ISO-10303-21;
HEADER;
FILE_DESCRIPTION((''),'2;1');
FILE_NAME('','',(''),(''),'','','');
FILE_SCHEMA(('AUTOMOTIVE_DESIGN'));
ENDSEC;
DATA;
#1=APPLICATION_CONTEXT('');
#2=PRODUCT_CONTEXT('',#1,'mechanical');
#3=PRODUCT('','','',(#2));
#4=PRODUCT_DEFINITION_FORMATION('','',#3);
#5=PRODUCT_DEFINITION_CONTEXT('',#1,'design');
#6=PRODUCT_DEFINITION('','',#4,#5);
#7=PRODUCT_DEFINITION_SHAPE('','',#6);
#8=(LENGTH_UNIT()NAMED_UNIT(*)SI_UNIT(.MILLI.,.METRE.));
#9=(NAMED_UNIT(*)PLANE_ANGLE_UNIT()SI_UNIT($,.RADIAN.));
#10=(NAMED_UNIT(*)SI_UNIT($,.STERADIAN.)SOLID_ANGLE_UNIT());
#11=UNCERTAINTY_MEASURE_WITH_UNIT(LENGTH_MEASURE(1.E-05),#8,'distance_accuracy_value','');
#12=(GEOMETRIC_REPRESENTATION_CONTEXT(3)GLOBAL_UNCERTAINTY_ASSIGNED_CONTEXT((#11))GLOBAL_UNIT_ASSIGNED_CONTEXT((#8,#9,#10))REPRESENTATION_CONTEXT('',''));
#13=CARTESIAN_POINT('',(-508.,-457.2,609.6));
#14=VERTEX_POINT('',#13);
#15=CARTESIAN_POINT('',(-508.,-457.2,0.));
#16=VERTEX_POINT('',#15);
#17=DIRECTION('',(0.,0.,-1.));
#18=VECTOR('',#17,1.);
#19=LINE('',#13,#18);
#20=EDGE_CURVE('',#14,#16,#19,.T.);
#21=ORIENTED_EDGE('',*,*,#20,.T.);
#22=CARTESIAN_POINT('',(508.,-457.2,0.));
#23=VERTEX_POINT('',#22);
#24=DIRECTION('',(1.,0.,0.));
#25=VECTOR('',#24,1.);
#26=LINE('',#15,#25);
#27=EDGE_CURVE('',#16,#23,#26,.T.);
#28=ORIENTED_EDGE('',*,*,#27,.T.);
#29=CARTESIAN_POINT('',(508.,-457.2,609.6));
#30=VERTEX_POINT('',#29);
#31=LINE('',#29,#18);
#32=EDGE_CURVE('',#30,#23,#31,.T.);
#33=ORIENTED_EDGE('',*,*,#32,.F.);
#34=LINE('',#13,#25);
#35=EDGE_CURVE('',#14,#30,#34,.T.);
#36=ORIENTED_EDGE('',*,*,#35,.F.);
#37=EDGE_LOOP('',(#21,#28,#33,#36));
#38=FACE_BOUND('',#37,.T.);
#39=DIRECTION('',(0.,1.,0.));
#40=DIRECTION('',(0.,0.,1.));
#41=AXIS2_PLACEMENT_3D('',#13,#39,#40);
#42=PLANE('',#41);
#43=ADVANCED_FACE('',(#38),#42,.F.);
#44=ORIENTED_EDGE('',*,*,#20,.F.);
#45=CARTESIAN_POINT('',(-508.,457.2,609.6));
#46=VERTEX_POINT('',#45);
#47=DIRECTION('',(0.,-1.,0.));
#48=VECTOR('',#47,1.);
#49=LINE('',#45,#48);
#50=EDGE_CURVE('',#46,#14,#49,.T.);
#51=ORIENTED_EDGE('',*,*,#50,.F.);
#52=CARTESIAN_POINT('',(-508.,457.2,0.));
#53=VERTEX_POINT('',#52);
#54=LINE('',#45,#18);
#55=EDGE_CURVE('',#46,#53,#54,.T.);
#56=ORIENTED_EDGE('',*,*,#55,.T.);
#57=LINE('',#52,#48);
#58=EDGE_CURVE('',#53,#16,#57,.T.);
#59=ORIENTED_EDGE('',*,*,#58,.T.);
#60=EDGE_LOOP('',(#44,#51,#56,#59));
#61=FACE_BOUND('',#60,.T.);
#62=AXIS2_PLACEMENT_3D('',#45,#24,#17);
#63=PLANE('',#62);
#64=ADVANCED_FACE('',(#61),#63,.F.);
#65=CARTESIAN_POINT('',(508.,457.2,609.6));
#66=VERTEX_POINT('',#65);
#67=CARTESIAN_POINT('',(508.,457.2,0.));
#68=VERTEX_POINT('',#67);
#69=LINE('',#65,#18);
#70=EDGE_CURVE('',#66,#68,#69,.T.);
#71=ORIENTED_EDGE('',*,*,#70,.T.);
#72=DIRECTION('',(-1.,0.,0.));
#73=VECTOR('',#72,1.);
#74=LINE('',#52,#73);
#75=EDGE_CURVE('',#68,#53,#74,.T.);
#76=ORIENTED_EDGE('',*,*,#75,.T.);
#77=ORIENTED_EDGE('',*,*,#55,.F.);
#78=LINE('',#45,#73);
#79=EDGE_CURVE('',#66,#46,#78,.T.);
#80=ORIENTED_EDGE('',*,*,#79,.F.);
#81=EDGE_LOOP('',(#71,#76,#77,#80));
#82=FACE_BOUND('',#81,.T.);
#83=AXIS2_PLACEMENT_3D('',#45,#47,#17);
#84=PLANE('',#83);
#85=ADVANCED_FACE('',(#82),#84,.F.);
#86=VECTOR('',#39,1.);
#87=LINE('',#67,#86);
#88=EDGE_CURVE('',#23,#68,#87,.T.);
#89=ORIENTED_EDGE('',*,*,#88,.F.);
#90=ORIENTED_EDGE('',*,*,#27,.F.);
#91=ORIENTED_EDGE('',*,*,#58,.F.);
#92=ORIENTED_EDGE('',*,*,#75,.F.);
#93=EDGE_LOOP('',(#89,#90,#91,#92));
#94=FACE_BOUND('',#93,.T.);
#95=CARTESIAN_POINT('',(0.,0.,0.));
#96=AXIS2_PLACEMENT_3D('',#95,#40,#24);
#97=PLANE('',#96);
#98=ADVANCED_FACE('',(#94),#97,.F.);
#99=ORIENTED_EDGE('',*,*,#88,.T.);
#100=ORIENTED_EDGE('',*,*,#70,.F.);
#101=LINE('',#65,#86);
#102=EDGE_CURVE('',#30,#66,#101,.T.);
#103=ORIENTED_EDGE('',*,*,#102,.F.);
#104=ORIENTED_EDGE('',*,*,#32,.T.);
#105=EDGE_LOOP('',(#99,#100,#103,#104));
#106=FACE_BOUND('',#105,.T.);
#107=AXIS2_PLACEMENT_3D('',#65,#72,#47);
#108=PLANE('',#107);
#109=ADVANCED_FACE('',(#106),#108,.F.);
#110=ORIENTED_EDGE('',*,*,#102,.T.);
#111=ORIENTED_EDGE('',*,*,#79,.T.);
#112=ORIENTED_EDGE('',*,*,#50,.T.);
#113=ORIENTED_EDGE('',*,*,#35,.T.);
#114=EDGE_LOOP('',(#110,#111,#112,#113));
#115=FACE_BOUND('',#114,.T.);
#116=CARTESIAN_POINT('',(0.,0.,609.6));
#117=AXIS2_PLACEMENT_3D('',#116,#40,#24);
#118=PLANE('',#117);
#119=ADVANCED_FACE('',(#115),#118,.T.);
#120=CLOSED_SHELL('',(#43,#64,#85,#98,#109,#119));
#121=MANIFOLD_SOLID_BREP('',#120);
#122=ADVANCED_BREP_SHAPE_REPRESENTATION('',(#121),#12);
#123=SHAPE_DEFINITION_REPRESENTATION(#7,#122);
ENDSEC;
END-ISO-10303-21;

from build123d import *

# Parameters (mm, degrees)
SKETCH1_W           = 1016
SKETCH1_H           = 914.4
BOSS_EXTRUDE1_DEPTH = 609.6


with BuildPart() as part:
    # Sketch1 → Boss-Extrude1 (new body)
    with BuildSketch(Plane.XY):
        Rectangle(SKETCH1_W, SKETCH1_H)
    extrude(amount=BOSS_EXTRUDE1_DEPTH)


solid = part.part
